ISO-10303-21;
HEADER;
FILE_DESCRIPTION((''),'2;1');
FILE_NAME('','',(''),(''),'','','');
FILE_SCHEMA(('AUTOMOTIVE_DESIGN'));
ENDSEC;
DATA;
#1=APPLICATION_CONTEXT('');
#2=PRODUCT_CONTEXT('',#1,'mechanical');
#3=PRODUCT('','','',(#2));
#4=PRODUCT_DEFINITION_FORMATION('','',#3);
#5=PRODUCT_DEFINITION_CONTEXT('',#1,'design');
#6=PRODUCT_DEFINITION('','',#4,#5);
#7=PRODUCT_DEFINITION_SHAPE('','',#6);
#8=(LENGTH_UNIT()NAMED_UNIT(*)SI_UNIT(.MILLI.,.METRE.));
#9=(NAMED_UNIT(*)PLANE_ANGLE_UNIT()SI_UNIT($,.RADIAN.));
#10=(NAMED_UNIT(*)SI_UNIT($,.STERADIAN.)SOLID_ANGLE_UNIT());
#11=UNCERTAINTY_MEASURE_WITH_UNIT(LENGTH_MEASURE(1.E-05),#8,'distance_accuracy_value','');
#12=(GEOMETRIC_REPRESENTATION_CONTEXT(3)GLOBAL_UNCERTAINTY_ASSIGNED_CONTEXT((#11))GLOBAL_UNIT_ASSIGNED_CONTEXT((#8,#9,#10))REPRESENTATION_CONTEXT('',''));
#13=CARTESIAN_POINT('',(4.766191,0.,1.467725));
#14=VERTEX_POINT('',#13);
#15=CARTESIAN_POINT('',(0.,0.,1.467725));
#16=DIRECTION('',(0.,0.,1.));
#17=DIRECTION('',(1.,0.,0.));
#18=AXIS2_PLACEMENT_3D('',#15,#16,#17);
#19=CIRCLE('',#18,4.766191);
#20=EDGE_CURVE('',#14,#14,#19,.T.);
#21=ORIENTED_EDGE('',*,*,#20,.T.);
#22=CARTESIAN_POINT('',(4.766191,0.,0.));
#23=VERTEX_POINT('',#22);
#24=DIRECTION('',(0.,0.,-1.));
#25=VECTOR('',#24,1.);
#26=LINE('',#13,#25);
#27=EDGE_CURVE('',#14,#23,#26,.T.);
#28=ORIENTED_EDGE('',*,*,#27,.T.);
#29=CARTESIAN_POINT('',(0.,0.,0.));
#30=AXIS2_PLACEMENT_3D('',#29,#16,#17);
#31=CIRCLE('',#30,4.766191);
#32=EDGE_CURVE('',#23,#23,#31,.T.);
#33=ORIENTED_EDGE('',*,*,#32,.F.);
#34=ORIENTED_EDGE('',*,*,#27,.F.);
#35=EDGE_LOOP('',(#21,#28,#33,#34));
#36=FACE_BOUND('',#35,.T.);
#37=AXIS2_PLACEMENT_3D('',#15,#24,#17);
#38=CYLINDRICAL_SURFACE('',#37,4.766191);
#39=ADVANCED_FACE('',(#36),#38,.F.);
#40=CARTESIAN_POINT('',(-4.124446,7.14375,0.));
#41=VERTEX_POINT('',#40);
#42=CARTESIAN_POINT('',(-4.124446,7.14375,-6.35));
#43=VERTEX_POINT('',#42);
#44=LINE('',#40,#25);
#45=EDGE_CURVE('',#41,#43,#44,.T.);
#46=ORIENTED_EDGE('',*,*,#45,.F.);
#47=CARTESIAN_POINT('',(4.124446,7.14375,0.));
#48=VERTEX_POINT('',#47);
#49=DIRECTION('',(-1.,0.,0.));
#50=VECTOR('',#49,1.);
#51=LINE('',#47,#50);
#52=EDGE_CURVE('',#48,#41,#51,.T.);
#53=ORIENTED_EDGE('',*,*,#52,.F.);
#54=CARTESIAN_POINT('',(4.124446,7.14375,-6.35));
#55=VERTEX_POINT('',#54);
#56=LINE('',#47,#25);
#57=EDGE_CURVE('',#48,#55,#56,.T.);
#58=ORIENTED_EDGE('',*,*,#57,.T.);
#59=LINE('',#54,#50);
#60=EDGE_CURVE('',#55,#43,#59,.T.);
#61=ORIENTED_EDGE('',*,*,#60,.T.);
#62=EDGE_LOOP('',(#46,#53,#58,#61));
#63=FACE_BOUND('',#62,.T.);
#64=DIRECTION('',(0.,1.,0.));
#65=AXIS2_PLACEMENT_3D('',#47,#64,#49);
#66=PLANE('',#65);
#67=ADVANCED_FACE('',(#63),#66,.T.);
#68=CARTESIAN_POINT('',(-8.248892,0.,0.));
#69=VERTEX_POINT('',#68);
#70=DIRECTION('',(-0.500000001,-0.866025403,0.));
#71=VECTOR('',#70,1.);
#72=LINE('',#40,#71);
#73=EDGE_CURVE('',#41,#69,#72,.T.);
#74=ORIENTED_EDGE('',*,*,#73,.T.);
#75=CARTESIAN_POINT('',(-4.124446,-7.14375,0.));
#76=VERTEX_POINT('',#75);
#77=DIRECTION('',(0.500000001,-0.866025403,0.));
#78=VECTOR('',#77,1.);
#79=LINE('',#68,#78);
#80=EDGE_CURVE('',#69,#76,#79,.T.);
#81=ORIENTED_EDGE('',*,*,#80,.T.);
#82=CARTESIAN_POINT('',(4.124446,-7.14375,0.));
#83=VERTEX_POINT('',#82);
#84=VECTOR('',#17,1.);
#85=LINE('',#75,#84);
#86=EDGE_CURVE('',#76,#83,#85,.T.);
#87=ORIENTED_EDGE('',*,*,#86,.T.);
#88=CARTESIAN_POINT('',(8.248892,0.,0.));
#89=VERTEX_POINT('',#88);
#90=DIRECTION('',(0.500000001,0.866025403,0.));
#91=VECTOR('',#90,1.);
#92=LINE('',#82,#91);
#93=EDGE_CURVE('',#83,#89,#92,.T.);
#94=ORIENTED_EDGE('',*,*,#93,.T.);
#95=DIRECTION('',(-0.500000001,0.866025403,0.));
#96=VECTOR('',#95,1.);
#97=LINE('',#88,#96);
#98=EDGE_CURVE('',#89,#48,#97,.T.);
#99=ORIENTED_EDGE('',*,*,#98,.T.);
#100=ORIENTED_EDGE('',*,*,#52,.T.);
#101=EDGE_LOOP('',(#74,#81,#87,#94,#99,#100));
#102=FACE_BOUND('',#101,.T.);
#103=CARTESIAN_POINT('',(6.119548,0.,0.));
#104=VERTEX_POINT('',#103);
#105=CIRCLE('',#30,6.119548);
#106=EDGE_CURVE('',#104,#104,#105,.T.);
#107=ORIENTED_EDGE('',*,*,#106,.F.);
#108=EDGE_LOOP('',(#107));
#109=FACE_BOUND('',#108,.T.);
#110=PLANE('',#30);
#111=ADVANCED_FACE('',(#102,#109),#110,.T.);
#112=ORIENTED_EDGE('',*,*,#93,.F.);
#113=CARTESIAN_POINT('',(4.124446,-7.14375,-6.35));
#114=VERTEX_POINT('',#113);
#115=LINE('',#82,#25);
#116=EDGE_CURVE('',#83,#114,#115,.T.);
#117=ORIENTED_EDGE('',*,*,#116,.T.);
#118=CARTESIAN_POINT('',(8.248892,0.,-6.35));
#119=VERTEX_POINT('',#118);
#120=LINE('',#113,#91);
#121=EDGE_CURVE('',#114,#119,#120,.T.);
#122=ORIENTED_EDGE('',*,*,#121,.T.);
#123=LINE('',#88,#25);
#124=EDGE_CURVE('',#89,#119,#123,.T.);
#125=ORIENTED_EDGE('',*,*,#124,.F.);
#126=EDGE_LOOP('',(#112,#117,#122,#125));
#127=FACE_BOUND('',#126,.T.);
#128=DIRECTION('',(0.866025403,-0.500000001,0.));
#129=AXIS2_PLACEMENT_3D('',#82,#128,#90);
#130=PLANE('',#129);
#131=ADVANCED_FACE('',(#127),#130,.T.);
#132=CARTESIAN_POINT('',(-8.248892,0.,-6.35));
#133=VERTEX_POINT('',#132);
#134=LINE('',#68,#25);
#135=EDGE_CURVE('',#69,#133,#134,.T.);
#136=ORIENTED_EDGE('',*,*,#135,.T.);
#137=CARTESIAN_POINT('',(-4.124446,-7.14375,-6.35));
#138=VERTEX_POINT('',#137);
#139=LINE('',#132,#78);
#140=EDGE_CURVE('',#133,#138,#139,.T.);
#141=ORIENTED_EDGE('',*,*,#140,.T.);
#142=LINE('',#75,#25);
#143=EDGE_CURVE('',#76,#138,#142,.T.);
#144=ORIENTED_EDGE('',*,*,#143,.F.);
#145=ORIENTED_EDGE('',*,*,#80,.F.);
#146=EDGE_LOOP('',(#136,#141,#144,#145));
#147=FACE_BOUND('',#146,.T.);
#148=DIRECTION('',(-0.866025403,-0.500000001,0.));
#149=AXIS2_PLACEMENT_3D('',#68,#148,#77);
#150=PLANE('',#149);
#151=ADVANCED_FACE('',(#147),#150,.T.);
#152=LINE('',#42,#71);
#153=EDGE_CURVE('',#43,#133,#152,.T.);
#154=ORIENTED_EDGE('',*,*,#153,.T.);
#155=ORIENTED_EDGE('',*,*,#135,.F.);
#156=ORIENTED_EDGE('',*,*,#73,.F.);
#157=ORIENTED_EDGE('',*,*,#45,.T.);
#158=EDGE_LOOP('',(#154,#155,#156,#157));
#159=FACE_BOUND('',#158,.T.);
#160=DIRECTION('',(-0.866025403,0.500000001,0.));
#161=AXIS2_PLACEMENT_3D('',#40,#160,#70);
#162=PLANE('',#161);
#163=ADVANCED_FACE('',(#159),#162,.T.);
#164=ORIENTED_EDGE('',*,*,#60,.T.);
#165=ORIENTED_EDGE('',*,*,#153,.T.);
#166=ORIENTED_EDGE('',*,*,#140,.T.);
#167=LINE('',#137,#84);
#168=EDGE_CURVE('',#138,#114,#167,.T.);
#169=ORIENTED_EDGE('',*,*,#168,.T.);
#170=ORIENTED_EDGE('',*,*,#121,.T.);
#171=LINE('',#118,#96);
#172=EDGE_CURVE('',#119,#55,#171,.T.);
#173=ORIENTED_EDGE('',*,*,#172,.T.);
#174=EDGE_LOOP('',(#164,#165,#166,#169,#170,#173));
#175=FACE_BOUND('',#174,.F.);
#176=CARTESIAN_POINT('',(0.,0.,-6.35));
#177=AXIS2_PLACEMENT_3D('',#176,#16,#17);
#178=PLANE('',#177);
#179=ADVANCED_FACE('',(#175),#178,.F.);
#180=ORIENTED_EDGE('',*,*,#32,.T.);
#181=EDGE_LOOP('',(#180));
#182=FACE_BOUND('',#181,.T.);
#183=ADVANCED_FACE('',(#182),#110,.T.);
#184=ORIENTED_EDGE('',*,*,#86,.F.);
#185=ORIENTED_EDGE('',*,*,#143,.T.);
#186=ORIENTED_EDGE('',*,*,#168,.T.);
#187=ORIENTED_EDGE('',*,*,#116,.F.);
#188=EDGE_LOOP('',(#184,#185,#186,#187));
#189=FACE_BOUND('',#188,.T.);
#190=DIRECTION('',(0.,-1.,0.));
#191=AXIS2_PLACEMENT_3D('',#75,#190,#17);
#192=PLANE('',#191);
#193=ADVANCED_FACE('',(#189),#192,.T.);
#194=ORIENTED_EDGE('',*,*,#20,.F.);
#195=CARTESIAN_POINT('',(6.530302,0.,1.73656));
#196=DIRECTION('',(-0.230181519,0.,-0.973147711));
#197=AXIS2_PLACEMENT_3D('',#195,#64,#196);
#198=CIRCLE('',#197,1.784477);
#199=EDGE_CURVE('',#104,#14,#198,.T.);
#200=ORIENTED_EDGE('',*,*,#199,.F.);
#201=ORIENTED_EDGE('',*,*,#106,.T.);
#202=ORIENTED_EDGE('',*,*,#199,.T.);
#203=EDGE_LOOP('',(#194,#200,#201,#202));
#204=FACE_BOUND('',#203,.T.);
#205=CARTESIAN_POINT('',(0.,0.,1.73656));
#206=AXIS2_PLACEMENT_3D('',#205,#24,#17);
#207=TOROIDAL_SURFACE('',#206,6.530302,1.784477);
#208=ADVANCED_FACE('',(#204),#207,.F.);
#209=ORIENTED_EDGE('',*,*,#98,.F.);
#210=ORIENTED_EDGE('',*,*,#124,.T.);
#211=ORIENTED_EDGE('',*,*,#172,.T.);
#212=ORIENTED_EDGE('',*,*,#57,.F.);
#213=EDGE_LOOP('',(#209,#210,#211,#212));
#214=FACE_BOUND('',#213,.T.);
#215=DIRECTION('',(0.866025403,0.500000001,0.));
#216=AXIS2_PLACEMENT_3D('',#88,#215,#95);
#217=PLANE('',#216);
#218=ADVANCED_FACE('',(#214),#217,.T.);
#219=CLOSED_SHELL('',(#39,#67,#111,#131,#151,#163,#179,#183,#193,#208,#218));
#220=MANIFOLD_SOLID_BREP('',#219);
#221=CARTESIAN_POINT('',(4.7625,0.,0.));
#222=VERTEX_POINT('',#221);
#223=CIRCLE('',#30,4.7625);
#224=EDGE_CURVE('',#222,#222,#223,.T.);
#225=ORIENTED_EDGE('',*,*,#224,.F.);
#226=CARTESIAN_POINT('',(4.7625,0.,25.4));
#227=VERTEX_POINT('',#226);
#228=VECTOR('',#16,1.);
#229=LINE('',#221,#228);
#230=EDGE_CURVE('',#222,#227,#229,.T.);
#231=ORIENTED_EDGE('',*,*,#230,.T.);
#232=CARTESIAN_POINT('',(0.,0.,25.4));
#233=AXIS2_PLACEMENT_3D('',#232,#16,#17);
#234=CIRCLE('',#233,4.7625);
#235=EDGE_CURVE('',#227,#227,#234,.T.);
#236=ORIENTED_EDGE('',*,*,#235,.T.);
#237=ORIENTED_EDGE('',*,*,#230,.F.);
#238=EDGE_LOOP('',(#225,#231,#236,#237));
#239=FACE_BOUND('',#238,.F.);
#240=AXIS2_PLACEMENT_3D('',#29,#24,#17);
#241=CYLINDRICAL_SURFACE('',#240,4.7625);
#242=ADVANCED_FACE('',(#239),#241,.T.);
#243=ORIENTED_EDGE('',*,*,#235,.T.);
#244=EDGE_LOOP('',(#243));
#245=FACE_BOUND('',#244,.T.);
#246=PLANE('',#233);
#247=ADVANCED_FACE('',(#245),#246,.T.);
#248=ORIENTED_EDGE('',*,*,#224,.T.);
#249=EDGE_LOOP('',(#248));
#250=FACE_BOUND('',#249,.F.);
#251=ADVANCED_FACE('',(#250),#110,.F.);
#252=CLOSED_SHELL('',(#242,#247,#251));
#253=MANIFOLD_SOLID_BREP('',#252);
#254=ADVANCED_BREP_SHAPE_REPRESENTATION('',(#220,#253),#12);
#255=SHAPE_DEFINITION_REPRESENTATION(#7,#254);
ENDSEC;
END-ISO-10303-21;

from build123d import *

# Parameters (mm, degrees)
F1_DEPTH = 6.35
F2_R     = 4.7625
F3_DEPTH = 25.4


with BuildPart() as f1:
    # F0 (on Top) → F1 (new body)
    with BuildSketch(Plane.XY):
        Polygon((4.124446, 7.14375), (-4.124446, 7.14375), (-8.248892, 0), (-4.124446, -7.14375), (4.124446, -7.14375), (8.248892, 0), align=None)
    extrude(amount=-F1_DEPTH)

    # F4 (on Front) → F5 (revolve)
    with BuildSketch(Plane.XZ):
        with BuildLine():
            ThreePointArc((6.119548, 0), (5.218409, 0.526892), (4.766191, 1.467725))
            Line((4.766191, 1.467725), (4.766191, 0))
            Line((4.766191, 0), (6.119548, 0))
        make_face()
    revolve(axis=Axis((0, 0, 1.933048), (0, 0, 1)))


with BuildPart() as f3:
    # F2 (on face) → F3 (new body)
    with BuildSketch(Plane.XY):
        Circle(F2_R)
    extrude(amount=F3_DEPTH)


solid = Compound([f1.part, f3.part])
